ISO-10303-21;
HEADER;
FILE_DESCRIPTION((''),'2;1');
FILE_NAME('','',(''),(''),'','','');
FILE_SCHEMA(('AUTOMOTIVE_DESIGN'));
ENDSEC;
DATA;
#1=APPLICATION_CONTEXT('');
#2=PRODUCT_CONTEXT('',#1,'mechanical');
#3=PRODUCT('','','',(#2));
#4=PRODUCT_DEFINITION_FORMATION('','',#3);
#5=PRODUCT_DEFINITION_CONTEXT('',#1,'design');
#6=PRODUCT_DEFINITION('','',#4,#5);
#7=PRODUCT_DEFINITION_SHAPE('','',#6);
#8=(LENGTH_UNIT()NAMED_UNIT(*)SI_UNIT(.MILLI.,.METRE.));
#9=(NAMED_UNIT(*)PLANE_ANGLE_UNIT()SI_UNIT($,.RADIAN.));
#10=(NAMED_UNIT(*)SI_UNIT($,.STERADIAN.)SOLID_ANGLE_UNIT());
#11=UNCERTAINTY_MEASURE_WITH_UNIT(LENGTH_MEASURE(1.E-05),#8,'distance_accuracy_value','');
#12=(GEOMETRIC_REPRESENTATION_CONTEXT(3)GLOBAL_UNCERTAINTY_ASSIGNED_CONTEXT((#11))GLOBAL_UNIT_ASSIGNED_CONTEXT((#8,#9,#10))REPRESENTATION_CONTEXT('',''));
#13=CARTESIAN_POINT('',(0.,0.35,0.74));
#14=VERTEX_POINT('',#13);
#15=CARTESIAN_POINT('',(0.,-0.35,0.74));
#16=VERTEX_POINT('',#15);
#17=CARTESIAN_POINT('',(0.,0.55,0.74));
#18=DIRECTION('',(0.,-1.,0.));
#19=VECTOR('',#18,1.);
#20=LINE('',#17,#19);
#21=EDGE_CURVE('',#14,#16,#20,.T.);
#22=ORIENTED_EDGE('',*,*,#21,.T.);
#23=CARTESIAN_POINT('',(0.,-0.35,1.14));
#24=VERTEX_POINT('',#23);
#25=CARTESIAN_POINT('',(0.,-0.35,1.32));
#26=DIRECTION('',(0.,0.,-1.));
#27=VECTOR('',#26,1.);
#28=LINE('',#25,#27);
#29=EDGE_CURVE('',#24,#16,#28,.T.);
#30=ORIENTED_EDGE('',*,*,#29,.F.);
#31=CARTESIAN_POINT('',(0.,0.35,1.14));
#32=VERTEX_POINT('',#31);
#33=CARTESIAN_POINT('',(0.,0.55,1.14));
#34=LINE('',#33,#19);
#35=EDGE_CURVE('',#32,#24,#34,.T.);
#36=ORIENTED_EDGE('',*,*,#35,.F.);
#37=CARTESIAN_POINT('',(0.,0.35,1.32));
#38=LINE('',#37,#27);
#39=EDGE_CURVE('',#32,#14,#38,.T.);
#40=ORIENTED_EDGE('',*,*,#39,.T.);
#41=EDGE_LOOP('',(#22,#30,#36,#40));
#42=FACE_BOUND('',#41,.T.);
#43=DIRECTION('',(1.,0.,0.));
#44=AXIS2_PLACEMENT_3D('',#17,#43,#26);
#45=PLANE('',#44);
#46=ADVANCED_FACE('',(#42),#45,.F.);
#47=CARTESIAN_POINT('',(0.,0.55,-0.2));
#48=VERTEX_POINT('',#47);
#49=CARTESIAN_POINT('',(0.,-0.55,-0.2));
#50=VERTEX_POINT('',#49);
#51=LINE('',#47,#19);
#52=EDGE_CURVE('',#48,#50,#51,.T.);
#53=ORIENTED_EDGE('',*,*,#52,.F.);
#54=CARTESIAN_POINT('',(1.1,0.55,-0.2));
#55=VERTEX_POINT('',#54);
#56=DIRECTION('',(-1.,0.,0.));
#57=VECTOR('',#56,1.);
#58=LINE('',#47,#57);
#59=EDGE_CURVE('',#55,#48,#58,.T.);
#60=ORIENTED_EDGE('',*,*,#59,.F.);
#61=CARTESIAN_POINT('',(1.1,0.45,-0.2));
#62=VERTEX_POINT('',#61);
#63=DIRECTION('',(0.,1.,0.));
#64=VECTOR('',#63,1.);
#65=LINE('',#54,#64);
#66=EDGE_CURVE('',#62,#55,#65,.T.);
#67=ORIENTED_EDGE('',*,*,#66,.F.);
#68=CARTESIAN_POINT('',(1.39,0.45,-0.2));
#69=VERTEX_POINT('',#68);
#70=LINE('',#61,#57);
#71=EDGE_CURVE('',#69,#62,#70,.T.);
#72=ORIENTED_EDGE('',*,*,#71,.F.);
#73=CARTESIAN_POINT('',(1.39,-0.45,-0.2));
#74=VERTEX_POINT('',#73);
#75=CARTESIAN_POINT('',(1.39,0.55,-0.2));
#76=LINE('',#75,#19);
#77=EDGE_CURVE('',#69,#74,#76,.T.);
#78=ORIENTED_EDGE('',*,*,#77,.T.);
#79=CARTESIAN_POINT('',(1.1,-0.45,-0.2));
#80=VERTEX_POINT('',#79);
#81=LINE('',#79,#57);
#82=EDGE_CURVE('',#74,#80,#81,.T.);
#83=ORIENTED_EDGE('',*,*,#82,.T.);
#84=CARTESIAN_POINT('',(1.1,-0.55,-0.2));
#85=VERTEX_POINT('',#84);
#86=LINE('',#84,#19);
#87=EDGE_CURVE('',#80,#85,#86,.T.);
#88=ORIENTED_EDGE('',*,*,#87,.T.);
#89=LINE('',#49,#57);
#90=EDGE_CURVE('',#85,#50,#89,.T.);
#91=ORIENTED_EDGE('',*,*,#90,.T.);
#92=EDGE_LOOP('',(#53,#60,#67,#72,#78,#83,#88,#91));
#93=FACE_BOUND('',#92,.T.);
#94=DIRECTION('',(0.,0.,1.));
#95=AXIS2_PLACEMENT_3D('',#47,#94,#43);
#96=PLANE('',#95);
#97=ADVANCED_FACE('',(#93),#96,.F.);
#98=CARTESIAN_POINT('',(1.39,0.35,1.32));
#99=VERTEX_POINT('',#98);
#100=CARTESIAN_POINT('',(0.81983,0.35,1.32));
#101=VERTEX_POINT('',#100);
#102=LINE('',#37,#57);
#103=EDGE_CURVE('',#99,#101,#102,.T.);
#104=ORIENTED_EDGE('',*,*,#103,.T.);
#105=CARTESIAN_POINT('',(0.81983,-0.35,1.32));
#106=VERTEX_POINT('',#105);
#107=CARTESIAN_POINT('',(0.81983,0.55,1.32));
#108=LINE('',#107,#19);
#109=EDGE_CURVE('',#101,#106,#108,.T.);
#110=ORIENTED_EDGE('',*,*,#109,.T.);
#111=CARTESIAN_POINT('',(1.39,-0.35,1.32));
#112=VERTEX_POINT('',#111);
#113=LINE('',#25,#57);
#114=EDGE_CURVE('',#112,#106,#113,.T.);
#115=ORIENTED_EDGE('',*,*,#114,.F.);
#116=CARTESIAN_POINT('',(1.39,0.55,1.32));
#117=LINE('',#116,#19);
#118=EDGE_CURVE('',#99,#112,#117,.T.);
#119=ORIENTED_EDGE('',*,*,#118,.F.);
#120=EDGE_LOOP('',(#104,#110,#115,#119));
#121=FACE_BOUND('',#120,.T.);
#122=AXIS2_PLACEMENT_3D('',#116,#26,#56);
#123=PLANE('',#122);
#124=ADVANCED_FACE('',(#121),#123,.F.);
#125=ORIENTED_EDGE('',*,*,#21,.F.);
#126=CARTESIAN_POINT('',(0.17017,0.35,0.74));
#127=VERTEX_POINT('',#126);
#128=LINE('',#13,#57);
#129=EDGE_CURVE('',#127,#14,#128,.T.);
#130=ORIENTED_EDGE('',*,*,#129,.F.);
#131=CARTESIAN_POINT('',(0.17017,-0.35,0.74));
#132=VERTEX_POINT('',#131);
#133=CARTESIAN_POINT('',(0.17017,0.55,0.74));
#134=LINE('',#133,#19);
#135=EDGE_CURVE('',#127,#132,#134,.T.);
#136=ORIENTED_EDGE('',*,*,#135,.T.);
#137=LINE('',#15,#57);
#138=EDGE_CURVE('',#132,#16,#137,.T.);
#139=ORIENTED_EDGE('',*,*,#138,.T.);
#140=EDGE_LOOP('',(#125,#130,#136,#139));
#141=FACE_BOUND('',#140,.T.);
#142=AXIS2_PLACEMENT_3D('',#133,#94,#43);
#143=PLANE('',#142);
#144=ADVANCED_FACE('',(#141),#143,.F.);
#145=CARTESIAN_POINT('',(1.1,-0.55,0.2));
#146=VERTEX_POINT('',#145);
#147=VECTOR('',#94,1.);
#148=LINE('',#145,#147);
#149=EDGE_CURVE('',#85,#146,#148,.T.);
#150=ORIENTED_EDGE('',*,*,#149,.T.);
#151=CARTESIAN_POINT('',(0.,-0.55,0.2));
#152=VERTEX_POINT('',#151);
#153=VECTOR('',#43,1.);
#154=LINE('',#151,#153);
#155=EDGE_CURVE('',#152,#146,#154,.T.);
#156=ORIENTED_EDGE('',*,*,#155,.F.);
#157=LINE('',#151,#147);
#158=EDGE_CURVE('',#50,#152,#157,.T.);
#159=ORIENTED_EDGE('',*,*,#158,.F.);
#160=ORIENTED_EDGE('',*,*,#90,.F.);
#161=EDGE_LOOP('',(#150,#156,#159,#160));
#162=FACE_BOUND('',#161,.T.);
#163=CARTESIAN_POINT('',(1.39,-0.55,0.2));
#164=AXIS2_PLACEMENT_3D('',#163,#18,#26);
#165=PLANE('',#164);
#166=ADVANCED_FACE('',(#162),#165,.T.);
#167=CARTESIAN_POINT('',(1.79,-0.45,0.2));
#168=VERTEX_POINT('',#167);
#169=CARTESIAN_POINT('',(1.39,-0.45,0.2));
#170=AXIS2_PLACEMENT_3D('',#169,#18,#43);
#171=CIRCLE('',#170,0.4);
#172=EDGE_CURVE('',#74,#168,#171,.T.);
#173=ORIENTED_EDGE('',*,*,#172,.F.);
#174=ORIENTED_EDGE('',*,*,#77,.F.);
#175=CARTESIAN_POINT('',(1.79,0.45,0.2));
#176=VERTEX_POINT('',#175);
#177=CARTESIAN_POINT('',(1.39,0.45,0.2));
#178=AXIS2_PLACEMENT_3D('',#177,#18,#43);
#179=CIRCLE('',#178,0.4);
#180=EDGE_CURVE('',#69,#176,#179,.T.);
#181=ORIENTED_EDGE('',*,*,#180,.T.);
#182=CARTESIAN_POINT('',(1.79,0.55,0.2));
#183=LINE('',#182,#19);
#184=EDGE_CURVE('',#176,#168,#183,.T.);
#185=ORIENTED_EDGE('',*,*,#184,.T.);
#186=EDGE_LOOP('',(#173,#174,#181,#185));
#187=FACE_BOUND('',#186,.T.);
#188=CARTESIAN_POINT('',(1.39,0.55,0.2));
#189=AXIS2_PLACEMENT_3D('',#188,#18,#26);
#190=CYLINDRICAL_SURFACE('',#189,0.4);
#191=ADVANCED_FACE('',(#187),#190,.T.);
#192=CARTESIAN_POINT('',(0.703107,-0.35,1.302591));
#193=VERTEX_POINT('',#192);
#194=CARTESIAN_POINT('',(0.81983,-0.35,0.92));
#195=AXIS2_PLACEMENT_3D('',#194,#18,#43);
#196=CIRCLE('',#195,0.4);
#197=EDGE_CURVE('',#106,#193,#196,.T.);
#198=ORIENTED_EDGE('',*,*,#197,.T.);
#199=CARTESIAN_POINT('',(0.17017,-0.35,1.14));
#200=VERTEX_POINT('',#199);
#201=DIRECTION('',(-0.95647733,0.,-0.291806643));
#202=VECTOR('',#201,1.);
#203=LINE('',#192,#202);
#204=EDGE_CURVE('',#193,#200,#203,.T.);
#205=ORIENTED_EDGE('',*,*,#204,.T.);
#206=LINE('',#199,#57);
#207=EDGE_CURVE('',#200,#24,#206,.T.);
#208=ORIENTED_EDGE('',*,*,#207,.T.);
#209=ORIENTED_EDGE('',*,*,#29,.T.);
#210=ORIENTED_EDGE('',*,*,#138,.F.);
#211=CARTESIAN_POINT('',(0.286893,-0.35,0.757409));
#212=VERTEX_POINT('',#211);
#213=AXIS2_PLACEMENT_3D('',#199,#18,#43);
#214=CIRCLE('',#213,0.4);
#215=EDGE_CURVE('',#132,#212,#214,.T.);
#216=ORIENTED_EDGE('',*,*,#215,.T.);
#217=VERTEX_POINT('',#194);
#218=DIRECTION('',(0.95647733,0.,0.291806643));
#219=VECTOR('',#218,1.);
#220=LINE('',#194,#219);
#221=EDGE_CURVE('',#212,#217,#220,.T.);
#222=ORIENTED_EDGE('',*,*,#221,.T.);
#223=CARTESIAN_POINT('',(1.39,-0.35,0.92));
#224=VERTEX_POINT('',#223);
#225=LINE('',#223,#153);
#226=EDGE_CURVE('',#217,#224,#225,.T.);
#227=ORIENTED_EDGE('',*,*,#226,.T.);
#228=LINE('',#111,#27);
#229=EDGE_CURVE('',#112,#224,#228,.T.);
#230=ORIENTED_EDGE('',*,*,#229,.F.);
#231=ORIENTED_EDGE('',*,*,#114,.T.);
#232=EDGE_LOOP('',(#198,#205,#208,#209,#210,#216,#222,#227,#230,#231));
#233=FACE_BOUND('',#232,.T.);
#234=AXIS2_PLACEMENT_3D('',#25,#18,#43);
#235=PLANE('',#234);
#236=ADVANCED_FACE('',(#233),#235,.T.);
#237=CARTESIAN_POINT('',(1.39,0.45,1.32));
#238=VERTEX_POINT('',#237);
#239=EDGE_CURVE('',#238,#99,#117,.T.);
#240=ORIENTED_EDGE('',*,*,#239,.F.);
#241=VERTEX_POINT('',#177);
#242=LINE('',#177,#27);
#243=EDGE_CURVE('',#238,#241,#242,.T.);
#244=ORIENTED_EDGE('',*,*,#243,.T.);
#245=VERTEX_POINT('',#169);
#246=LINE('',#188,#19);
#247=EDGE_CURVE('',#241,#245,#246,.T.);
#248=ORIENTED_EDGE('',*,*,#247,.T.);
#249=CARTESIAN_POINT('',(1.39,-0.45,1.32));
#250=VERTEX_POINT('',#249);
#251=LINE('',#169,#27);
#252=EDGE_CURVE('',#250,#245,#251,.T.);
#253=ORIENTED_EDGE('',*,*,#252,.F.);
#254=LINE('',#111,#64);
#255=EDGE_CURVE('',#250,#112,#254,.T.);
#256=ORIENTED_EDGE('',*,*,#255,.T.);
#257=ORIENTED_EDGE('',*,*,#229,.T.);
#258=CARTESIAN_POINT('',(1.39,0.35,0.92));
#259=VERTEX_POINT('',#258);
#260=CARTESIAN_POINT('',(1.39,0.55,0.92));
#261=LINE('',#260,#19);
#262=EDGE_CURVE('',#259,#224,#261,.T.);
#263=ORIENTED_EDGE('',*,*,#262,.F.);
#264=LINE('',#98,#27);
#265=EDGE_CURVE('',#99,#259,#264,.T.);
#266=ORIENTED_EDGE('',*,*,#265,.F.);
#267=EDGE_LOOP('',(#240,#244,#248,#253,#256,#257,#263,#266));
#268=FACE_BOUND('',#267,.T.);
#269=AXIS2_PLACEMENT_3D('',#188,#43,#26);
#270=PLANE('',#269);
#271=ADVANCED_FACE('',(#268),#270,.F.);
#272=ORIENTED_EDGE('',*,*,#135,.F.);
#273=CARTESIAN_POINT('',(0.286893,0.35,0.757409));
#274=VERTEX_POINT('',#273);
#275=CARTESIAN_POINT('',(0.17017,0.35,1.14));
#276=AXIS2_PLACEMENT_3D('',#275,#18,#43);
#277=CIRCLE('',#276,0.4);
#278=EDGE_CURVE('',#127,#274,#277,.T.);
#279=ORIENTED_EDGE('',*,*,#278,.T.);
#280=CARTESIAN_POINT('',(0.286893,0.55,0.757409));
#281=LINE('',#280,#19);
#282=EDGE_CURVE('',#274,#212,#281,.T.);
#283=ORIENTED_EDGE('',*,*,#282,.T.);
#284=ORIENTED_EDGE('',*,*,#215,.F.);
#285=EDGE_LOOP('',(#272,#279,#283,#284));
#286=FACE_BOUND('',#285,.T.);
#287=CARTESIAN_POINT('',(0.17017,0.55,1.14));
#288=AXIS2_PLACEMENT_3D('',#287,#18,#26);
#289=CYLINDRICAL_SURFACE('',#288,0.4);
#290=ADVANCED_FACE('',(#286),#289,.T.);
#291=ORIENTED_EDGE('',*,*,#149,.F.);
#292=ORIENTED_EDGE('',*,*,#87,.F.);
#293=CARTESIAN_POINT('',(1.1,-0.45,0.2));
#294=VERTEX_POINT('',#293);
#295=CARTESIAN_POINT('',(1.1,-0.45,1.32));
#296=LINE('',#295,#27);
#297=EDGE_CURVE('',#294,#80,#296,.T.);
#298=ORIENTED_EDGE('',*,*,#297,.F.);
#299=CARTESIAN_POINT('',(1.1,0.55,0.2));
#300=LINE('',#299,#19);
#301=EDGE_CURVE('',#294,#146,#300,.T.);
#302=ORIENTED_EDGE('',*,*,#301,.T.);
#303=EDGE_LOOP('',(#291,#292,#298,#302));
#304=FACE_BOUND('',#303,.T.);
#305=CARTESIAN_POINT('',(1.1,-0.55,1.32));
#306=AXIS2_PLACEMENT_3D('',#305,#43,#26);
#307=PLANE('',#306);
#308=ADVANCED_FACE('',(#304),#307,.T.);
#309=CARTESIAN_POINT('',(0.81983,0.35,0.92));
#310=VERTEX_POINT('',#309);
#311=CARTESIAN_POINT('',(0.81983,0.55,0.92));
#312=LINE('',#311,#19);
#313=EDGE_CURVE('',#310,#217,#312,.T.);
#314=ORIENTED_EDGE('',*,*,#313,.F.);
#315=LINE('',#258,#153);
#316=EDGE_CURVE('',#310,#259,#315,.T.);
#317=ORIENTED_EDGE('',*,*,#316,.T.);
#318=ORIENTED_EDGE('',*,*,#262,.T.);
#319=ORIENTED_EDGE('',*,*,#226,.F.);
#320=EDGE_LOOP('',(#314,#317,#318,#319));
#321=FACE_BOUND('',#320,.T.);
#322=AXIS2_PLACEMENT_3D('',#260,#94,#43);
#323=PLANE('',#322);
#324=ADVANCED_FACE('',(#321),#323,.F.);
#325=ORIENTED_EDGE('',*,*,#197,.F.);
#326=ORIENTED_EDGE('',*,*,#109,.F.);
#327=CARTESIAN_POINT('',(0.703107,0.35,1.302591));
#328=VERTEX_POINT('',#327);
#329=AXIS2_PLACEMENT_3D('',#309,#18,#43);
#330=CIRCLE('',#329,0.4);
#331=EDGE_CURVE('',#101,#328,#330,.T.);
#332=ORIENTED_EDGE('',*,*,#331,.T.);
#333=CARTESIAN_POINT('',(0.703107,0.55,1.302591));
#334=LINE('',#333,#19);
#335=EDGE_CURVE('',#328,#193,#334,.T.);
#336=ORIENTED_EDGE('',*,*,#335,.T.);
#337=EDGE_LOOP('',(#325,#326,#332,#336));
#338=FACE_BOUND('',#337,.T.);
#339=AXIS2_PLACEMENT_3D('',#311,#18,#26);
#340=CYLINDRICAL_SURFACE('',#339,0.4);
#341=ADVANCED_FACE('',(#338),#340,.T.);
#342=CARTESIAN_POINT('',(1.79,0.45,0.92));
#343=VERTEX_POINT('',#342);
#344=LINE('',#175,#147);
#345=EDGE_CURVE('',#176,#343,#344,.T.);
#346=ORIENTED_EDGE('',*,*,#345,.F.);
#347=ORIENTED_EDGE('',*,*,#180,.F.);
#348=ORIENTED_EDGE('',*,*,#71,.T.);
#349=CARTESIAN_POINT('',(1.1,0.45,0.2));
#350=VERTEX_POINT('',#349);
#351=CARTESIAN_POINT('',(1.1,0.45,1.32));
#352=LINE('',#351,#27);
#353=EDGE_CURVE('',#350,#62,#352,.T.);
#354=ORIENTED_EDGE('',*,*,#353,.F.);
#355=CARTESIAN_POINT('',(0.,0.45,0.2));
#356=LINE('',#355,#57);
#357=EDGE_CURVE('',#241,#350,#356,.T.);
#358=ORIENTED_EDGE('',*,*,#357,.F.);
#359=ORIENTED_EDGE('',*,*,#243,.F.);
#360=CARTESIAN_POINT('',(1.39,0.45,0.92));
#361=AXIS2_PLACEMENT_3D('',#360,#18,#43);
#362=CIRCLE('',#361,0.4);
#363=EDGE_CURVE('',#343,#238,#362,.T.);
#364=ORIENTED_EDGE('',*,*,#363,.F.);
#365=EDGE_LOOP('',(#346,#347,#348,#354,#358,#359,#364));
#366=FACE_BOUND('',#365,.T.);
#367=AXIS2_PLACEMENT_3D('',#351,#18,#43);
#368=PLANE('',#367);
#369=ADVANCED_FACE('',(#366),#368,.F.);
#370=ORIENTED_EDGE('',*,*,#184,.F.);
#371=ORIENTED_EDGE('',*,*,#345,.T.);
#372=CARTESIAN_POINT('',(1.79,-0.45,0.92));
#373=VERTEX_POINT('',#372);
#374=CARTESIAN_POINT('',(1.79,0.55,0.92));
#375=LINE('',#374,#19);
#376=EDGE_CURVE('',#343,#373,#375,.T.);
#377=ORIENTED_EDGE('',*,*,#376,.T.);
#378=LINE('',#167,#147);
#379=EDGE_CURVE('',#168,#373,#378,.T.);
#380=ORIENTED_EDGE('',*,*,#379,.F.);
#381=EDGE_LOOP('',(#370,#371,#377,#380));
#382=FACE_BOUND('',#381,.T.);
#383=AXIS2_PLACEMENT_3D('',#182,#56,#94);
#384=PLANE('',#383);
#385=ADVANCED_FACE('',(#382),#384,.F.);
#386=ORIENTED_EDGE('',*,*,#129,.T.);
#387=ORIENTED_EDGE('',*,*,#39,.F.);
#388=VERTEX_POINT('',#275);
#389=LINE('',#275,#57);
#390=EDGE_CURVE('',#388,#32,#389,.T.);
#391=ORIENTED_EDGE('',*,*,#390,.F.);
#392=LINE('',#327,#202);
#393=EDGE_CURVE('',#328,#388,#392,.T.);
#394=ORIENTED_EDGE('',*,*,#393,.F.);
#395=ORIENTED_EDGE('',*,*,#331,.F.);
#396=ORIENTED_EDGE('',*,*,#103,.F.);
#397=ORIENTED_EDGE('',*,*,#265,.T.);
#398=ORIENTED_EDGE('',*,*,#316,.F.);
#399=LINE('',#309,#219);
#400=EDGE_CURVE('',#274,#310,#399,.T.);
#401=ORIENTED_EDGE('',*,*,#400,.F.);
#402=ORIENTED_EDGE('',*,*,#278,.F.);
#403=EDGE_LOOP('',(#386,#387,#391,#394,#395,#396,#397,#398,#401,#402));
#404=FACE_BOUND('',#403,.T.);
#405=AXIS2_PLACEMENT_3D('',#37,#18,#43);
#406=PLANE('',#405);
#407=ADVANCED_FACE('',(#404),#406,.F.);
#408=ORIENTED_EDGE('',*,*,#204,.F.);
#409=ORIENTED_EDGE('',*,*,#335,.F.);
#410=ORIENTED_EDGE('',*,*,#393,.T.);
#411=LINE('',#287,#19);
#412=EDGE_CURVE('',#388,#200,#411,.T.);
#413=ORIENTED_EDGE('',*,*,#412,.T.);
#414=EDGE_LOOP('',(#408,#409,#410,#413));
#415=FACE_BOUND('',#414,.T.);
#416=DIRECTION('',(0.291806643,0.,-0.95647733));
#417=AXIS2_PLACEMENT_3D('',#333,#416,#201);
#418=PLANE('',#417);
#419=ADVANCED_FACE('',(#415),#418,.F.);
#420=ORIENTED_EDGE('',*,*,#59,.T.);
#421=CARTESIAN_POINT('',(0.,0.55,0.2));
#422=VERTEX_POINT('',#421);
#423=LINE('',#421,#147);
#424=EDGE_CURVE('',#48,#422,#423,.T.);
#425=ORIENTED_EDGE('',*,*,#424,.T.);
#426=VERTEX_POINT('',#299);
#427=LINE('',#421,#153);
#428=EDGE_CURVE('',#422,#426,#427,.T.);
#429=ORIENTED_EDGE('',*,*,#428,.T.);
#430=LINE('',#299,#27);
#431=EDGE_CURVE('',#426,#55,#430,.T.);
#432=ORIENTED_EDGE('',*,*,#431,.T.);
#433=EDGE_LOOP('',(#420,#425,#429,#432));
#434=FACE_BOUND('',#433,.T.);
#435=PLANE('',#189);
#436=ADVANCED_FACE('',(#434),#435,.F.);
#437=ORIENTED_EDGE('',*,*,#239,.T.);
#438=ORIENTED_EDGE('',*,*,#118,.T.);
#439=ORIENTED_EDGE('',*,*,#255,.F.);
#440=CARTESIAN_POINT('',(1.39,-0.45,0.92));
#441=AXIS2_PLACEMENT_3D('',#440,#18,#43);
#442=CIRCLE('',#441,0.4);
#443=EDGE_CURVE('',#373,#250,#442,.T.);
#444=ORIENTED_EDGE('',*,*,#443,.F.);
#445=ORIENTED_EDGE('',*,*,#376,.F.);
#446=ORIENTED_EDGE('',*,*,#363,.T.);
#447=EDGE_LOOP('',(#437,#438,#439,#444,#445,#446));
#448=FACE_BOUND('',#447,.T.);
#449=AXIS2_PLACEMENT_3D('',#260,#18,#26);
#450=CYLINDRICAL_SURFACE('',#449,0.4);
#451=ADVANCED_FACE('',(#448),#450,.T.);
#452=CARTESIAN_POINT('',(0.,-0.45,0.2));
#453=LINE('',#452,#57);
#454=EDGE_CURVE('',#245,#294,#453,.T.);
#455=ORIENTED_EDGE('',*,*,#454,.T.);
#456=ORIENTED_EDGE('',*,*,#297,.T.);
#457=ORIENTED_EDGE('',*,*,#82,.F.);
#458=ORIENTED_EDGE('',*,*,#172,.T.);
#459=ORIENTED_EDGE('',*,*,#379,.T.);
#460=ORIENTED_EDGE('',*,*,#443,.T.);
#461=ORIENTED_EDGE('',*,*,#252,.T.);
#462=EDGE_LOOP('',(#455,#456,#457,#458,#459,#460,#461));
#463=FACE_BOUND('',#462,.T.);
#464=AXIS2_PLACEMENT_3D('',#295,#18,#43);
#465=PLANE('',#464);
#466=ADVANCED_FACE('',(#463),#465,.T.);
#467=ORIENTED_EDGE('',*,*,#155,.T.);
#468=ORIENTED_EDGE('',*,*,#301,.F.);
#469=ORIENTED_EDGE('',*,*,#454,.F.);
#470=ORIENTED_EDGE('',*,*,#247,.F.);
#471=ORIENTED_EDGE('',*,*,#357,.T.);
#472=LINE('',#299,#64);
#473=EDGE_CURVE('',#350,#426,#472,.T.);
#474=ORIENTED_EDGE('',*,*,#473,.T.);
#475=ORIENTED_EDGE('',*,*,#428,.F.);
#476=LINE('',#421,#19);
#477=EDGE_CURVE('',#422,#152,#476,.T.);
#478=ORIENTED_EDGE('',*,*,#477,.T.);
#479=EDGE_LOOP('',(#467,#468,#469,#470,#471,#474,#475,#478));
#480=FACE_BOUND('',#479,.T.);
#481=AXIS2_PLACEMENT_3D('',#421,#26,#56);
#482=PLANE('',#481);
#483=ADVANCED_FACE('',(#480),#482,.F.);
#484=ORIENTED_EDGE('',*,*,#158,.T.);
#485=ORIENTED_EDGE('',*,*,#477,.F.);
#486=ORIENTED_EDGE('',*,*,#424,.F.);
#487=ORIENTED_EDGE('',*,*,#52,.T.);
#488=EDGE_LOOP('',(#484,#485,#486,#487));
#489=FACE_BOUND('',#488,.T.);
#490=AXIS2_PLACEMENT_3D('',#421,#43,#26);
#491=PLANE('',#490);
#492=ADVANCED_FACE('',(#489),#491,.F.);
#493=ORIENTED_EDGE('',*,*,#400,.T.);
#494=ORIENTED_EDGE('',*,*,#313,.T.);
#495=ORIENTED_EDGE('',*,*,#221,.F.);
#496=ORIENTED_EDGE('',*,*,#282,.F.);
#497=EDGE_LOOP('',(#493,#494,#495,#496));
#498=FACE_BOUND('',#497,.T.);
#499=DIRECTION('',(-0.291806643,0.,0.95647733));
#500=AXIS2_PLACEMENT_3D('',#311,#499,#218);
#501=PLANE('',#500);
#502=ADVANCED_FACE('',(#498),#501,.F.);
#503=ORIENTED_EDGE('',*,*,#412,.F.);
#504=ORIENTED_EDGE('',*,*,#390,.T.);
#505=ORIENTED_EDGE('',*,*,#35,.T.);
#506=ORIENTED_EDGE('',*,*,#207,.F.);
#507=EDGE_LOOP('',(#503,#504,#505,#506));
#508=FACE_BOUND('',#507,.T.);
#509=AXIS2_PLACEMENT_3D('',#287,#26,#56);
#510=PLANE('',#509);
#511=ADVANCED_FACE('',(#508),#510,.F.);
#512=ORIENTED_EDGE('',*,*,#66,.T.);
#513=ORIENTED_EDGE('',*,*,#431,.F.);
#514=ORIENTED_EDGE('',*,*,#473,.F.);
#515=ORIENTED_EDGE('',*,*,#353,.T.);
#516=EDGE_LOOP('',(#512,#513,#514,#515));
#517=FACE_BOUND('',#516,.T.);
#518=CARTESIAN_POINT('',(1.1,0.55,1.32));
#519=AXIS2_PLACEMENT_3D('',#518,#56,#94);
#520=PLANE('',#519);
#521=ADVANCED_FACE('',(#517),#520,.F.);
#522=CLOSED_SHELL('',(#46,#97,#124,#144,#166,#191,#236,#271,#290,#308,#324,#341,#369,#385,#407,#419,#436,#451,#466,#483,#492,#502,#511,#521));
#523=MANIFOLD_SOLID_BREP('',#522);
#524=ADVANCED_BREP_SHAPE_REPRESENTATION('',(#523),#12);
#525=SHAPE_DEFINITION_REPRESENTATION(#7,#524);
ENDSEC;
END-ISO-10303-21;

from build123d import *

# Parameters (mm, degrees)
BOSS_EXTRUDE1_DEPTH = 0.55
SKETCH4_W           = 1.309613551
SKETCH4_H           = 0.1
CUT_EXTRUDE1_DEPTH  = 3.411845766
SKETCH5_W           = 1.39
SKETCH5_H           = 0.983113088
CUT_EXTRUDE2_DEPTH  = 3.095280411


with BuildPart() as part:
    # Sketch1 → Boss-Extrude1 (new, symmetric)
    with BuildSketch(Plane(origin=(0, 0, 0), x_dir=(1, 0, 0), z_dir=(0, 1, 0))):
        with BuildLine():
            Line((0, -0.2), (1.39, -0.2))
            Line((1.39, -0.2), (1.39, -0.92))
            Line((1.39, -0.92), (0.819829801, -0.92))
            Line((0.819829801, -0.92), (0.286892857, -0.757409068))
            ThreePointArc((0.286892857, -0.757409068), (0.229177094, -0.744376206), (0.170170199, -0.74))
            Line((0.170170199, -0.74), (0, -0.74))
            Line((0, -0.74), (0, -1.14))
            Line((0, -1.14), (0.170170199, -1.14))
            Line((0.170170199, -1.14), (0.703107143, -1.302590932))
            ThreePointArc((0.703107143, -1.302590932), (0.760822906, -1.315623794), (0.819829801, -1.32))
            Line((0.819829801, -1.32), (1.39, -1.32))
            ThreePointArc((1.39, -1.32), (1.672842712, -1.202842712), (1.79, -0.92))
            Line((1.79, -0.92), (1.79, -0.2))
            ThreePointArc((1.79, -0.2), (1.672842712, 0.082842712), (1.39, 0.2))
            Line((1.39, 0.2), (0, 0.2))
            Line((0, 0.2), (0, -0.2))
        make_face()
    extrude(amount=BOSS_EXTRUDE1_DEPTH, both=True)

    # Sketch4 → Cut-Extrude1 (cut, through all)
    with BuildSketch(Plane(origin=(0, 0, -0.2), x_dir=(-1, 0, 0), z_dir=(0, 0, -1))):
        with Locations((-1.754806776, 0.5)):
            Rectangle(SKETCH4_W, SKETCH4_H)
    cut_extrude1 = extrude(amount=-CUT_EXTRUDE1_DEPTH, mode=Mode.SUBTRACT)

    # Mirror1: Cut-Extrude1 across plane
    add(cut_extrude1.mirror(Plane.ZX), mode=Mode.SUBTRACT)

    # Sketch5 → Cut-Extrude2 (cut, through all)
    with BuildSketch(Plane(origin=(0, 0, 0.74), x_dir=(-1, 0, 0), z_dir=(0, 0, -1))):
        with Locations((-0.695, 0.841556544)):
            Rectangle(SKETCH5_W, SKETCH5_H)
    cut_extrude2 = extrude(amount=-CUT_EXTRUDE2_DEPTH, mode=Mode.SUBTRACT)

    # Mirror2: Cut-Extrude2 across plane
    add(cut_extrude2.mirror(Plane.ZX), mode=Mode.SUBTRACT)


solid = part.part
